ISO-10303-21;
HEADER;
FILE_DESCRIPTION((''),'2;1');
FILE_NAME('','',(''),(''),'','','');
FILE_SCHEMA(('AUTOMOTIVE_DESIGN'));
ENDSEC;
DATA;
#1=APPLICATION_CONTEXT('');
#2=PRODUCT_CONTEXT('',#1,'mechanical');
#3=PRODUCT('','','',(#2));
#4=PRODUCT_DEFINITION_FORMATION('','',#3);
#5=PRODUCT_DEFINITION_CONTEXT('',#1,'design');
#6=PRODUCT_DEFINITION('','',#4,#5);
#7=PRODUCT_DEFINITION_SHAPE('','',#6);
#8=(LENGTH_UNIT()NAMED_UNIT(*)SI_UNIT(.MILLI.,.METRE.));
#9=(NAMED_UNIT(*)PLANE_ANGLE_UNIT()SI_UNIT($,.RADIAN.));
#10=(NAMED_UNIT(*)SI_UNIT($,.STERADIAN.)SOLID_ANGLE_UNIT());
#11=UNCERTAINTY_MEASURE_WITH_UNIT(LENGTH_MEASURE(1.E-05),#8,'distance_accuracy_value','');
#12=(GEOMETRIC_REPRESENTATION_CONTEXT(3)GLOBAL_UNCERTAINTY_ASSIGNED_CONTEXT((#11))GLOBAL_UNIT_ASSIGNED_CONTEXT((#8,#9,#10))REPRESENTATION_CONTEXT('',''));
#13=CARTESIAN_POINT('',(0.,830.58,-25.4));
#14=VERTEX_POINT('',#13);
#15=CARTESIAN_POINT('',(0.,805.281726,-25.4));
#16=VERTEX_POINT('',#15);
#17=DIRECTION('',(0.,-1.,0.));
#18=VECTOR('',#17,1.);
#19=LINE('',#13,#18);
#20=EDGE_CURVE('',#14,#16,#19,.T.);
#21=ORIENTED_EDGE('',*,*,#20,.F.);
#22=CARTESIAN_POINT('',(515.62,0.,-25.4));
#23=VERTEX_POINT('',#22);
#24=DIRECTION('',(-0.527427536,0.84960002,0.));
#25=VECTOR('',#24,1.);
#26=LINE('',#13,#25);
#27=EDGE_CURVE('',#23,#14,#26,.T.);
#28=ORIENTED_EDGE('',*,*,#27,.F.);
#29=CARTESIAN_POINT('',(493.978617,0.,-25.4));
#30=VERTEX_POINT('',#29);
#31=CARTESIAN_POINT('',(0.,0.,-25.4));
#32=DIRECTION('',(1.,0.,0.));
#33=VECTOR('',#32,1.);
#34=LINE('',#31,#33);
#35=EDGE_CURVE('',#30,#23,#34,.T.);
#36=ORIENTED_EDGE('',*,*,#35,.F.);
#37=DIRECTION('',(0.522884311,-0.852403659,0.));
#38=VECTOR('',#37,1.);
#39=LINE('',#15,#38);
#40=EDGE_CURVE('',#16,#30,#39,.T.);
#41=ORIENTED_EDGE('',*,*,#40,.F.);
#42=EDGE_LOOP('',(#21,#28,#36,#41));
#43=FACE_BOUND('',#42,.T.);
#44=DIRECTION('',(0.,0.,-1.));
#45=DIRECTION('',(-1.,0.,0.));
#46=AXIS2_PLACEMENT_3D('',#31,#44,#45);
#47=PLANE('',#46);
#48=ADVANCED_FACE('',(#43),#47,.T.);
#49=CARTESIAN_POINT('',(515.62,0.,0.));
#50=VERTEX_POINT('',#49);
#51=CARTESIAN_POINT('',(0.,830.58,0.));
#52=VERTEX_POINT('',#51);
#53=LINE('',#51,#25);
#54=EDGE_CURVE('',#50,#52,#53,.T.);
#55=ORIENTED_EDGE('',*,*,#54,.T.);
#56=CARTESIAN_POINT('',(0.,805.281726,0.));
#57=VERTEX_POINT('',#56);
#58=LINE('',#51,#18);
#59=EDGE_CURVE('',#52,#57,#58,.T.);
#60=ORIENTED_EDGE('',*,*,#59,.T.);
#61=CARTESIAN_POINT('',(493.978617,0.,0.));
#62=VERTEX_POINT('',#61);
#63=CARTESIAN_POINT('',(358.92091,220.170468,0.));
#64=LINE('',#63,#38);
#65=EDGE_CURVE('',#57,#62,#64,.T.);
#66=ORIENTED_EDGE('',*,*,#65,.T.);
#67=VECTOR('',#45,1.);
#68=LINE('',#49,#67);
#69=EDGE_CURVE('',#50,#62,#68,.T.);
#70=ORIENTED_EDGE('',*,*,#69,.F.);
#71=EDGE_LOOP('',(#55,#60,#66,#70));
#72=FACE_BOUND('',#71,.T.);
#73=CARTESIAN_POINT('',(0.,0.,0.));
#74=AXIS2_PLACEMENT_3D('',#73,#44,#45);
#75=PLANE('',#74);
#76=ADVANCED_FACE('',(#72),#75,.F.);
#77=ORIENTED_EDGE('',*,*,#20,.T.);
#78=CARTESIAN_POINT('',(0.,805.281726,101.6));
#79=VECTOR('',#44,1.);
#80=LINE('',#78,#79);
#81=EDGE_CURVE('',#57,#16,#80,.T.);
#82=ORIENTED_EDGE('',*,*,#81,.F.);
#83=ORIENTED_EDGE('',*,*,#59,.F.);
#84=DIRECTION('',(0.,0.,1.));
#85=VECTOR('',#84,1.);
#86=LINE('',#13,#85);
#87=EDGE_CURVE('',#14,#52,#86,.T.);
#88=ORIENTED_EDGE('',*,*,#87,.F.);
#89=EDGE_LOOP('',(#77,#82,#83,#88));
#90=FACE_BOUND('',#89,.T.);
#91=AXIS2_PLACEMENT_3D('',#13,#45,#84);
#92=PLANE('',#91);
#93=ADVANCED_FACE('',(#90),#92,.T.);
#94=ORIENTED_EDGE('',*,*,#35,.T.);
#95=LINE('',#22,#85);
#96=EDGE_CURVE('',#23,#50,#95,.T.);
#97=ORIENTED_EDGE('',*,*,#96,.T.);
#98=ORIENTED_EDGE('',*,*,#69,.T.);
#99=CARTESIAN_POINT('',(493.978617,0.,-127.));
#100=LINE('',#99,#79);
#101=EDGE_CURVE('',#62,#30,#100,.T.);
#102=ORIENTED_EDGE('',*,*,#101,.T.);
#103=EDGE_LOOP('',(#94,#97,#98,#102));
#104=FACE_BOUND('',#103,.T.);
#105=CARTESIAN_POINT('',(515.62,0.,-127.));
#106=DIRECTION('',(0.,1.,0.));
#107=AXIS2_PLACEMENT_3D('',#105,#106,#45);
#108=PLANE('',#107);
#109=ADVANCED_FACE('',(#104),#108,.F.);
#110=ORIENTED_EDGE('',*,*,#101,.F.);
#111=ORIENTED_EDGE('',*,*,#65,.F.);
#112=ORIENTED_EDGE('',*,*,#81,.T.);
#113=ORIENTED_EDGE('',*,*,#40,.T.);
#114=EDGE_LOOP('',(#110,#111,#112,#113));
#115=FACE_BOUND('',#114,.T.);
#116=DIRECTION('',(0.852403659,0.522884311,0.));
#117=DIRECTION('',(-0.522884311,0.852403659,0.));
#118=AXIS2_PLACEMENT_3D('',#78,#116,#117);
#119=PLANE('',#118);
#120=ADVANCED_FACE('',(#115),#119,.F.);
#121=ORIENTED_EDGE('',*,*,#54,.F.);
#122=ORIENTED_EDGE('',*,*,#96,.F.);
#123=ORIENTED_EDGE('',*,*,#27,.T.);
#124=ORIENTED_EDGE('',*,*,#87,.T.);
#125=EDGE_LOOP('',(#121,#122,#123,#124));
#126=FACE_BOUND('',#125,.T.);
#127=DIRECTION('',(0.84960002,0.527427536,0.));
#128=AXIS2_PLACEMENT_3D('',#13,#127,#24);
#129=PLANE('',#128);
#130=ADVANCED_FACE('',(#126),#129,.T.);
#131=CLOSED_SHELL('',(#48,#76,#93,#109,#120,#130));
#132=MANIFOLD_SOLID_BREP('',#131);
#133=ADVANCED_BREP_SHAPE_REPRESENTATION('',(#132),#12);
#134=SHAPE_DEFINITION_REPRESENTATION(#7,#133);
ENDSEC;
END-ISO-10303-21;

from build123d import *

# Parameters (mm, degrees)
BOSS_EXTRUDE1_DEPTH = 25.4
CUT_EXTRUDE2_DEPTH  = 127
CUT_EXTRUDE3_DEPTH  = 127


with BuildPart() as part:
    # Sketch1 → Boss-Extrude1 (new body)
    with BuildSketch(Plane.XY):
        Polygon((0, 830.58), (515.62, 0), (494.040159482, -13.396659404), (0, 782.421725573), align=None)
    extrude(amount=-BOSS_EXTRUDE1_DEPTH)

    # Sketch2 → Cut-Extrude2 (cut)
    with BuildSketch(Plane.XY):
        Polygon((515.62, 0), (485.723578873, 0), (494.040159482, -13.396659404), align=None)
    extrude(amount=-CUT_EXTRUDE2_DEPTH, mode=Mode.SUBTRACT)

    # Sketch4 → Cut-Extrude3 (cut)
    with BuildSketch(Plane(origin=(0, 0, -25.4), x_dir=(-1, 0, 0), z_dir=(0, 0, -1))):
        Polygon((0, 805.281725573), (-493.978617069, 0), (-485.723578873, 0), (0, 782.421725573), align=None)
    extrude(amount=-CUT_EXTRUDE3_DEPTH, mode=Mode.SUBTRACT)


solid = part.part
